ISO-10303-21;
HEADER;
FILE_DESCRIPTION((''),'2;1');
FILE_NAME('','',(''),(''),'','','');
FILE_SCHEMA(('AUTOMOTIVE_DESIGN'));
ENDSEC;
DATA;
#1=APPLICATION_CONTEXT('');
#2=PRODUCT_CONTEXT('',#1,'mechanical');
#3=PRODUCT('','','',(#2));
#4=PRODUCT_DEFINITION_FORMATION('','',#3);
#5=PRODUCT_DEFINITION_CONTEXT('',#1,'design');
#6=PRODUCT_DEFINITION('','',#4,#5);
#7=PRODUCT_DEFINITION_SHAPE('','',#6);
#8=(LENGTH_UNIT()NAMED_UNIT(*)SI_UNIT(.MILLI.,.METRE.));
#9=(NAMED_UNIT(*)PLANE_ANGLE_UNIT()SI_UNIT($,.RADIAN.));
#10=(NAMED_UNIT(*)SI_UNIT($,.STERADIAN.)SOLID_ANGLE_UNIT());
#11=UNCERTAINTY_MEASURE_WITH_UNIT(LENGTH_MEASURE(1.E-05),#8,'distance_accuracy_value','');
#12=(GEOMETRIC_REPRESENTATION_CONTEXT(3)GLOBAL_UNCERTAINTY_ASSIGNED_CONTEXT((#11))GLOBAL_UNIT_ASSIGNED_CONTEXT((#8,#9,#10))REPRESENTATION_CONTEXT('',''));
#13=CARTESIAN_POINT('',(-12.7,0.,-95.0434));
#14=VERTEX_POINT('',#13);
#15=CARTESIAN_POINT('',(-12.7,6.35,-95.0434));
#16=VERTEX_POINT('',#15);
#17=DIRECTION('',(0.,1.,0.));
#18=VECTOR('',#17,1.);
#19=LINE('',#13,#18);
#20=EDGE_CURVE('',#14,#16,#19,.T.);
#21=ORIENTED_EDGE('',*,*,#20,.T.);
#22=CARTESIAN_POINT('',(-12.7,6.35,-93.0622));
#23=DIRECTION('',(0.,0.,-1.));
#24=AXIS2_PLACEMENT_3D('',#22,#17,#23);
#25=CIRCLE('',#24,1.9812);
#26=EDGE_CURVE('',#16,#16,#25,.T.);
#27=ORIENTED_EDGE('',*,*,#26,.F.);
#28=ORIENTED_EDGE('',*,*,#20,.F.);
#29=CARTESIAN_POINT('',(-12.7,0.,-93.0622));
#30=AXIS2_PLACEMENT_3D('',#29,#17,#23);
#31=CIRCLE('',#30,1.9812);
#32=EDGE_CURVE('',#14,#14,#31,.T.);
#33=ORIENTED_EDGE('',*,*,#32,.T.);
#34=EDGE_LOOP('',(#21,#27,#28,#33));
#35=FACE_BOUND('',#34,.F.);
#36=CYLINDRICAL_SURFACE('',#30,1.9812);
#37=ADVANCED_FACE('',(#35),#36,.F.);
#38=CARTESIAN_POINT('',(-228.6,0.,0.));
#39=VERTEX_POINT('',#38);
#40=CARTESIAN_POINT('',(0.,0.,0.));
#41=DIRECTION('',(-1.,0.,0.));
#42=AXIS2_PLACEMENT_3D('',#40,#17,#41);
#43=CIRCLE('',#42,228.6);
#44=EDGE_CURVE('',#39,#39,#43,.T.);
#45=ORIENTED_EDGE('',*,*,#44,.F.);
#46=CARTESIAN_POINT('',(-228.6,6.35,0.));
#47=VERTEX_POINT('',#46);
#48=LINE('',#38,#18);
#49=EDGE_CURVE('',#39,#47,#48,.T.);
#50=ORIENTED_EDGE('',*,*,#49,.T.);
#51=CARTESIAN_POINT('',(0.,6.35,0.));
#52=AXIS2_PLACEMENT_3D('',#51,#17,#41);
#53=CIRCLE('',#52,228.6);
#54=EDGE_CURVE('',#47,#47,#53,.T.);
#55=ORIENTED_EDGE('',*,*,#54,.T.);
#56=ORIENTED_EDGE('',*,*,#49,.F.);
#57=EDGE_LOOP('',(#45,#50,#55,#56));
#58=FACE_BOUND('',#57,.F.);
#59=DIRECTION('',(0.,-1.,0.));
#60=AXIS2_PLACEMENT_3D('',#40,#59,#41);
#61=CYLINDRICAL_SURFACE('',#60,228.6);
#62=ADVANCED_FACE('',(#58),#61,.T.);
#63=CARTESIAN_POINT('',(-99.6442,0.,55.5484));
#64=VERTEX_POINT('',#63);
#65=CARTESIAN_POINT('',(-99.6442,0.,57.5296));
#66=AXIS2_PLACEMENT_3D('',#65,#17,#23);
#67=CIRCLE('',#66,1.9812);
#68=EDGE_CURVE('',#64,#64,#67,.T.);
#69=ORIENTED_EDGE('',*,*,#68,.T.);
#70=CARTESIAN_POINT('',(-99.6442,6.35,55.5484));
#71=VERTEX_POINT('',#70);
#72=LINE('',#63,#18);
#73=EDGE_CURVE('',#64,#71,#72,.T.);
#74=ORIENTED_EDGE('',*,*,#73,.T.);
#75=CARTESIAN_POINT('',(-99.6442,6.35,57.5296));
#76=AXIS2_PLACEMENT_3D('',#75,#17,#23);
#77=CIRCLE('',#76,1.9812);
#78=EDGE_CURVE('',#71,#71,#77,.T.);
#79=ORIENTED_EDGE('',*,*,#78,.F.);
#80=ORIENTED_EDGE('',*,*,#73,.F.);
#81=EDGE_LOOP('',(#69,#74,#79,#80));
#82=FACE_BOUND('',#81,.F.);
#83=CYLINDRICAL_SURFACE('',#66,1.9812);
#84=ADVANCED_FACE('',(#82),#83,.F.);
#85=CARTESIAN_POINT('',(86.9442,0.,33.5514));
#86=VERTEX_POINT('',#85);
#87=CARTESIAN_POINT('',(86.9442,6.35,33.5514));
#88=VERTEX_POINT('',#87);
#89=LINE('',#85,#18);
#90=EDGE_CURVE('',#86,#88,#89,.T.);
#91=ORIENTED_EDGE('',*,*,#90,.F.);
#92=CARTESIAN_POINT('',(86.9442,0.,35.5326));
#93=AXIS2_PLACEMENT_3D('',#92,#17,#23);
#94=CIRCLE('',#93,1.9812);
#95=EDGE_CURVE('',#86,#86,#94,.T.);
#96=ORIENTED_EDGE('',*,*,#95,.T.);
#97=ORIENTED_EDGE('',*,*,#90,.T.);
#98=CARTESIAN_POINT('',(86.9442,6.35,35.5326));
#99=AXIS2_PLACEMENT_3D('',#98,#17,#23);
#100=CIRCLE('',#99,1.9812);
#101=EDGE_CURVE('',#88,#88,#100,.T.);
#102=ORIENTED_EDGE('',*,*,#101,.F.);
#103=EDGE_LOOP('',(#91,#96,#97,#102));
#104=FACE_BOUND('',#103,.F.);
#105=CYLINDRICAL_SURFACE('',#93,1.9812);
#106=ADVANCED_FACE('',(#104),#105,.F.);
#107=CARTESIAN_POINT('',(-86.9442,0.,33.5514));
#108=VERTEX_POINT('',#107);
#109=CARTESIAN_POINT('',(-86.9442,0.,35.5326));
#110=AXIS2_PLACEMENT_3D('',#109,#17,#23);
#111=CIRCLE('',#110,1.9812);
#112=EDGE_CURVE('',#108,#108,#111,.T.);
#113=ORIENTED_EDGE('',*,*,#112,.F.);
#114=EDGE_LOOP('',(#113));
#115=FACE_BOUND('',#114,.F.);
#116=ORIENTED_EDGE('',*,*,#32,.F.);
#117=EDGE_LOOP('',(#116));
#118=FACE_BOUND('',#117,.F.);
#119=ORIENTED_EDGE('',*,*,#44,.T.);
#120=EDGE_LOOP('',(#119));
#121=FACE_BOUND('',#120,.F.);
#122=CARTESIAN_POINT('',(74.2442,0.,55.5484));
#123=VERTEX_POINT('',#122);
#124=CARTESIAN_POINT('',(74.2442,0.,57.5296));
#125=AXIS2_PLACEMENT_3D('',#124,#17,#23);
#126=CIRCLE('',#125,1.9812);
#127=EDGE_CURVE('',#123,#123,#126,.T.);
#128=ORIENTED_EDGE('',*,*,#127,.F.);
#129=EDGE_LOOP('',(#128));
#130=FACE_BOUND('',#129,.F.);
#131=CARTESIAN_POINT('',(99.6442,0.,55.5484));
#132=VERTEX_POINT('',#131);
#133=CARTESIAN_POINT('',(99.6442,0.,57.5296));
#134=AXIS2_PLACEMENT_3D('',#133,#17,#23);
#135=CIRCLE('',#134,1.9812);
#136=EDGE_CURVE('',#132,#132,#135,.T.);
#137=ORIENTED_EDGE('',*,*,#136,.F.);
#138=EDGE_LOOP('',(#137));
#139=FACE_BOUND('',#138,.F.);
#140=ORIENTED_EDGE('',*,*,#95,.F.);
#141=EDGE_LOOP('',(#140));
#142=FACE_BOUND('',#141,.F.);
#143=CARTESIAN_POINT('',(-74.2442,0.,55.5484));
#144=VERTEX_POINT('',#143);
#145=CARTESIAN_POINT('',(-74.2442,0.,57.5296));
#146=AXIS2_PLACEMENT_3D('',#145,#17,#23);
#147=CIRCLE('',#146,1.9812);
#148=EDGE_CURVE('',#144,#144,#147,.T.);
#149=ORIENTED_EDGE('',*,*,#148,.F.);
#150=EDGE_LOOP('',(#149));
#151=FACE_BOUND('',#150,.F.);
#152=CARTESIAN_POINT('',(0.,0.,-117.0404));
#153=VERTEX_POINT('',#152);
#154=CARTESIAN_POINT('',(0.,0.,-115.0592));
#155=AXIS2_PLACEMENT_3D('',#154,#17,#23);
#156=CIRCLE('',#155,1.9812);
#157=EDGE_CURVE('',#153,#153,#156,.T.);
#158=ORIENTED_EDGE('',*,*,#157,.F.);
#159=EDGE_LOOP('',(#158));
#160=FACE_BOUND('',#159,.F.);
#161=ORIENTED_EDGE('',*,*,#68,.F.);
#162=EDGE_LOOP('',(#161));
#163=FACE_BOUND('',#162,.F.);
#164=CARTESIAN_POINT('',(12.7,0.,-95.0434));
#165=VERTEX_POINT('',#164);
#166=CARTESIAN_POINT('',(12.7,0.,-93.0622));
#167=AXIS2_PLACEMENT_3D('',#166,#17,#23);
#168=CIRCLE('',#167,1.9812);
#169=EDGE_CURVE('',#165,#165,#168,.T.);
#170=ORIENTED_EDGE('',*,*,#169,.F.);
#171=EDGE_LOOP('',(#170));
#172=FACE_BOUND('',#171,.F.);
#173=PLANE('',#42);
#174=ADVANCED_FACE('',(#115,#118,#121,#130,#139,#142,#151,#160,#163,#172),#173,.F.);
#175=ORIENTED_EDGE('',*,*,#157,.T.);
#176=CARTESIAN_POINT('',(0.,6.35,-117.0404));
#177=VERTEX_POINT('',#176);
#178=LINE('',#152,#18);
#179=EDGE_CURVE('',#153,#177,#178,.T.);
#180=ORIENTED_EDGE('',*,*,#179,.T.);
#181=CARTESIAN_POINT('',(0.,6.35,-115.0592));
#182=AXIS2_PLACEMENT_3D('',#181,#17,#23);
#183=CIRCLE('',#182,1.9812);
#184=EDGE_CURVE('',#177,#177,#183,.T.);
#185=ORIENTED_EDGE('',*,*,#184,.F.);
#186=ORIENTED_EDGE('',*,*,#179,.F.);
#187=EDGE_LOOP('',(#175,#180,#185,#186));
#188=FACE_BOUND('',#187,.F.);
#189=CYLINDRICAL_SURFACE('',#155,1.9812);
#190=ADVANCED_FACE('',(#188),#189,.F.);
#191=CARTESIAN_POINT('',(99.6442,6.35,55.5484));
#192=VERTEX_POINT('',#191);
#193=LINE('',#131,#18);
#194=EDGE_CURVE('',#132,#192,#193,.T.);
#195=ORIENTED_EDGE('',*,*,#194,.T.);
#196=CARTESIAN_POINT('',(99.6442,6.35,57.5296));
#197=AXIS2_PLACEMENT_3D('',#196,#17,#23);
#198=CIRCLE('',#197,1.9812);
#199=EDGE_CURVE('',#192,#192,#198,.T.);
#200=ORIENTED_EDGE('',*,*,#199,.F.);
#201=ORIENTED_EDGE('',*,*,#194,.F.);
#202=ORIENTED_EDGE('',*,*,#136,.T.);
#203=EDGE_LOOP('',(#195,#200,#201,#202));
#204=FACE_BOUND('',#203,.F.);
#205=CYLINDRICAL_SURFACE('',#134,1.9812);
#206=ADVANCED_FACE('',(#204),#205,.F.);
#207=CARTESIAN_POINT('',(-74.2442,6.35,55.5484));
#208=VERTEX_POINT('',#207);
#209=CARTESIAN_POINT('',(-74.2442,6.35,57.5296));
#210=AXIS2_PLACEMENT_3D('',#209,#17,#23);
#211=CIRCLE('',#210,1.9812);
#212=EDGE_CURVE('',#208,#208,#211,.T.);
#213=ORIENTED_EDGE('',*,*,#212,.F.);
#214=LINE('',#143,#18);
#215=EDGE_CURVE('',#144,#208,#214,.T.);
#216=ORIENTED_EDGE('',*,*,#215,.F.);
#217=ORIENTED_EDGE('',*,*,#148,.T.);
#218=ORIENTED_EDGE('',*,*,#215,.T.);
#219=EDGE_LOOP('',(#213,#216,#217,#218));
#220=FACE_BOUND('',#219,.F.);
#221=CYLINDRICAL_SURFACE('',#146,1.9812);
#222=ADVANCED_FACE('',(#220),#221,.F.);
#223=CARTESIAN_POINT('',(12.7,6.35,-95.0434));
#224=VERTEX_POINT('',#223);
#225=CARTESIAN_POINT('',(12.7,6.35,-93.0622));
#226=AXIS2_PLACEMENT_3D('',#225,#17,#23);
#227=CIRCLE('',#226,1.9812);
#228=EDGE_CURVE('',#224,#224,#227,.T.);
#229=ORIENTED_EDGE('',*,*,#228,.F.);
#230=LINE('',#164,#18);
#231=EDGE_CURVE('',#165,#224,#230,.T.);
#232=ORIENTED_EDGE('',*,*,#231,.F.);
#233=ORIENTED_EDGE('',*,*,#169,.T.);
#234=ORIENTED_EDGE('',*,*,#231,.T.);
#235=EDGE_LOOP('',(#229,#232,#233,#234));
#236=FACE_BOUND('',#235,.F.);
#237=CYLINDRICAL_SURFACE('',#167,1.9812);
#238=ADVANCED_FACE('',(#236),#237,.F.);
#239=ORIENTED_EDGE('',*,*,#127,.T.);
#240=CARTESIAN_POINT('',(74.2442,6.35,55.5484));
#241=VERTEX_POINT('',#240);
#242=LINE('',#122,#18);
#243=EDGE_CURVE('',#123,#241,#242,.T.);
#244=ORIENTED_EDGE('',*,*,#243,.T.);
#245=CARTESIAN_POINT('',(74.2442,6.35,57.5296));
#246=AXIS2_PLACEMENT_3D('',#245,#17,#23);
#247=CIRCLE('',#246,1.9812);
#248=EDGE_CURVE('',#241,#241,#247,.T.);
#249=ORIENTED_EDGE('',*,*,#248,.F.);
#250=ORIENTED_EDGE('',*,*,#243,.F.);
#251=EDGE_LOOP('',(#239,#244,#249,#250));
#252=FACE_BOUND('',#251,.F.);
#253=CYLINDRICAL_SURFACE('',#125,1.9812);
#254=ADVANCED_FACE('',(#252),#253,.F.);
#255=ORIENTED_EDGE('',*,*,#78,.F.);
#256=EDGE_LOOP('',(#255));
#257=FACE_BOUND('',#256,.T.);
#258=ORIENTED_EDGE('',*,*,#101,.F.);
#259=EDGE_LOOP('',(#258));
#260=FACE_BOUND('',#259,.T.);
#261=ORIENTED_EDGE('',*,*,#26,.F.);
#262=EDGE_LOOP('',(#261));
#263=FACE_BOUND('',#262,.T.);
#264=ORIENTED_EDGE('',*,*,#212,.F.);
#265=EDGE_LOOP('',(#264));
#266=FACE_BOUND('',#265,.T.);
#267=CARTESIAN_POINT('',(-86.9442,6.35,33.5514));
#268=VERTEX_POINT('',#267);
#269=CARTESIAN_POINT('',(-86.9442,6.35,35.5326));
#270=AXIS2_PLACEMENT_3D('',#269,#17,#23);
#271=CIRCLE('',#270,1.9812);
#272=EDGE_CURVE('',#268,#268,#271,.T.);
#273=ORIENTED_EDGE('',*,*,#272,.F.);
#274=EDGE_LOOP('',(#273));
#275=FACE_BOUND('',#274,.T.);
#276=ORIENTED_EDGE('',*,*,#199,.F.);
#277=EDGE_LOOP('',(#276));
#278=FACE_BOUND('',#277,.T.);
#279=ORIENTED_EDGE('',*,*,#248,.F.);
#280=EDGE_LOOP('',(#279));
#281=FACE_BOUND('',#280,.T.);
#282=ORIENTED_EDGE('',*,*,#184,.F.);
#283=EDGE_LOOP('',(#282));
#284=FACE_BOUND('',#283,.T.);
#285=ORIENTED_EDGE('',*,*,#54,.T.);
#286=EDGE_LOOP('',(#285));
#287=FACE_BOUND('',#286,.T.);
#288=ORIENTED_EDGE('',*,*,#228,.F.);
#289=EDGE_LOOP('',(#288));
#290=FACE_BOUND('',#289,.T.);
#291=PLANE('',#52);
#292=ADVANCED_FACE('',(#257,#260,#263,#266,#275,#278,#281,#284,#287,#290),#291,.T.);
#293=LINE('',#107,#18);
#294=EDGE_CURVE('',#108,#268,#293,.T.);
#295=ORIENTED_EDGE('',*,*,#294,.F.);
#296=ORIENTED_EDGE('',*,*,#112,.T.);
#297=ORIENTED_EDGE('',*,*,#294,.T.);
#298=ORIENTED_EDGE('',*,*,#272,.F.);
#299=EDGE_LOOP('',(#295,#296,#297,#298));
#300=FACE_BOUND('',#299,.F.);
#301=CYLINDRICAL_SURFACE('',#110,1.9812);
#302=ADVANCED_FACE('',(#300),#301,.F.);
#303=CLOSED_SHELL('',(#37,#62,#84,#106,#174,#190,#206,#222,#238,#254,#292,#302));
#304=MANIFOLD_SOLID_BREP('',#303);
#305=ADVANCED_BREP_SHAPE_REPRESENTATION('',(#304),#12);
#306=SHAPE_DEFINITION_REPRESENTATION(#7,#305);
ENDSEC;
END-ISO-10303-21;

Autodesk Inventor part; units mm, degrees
ref_plane "YZ Plane" through (0, 0, 0) normal (1, 0, 0) x (0, 1, 0)
ref_plane "XZ Plane" through (0, 0, 0) normal (0, 1, 0) x (-1, 0, 0)
ref_plane "XY Plane" through (0, 0, 0) normal (0, 0, 1) x (1, 0, 0)
sketch "Sketch1" plane through (0, 0, 0) normal (0, 1, 0) x (-1, 0, 0)
  circle A0 centre (0, 0) radius 228.6
  line L0 (228.6, 0) -> (-228.6, 0) construction
  line L1 (0, -115.0592) -> (-99.6442, 57.5296) construction
  line L2 (-99.6442, 57.5296) -> (99.6442, 57.5296) construction
  line L3 (99.6442, 57.5296) -> (0, -115.0592) construction
  line L4 (99.6442, 57.5296) -> (74.2442, 57.5296) construction
  line L5 (99.6442, 57.5296) -> (86.9442, 35.5326) construction
  line L6 (-99.6442, 57.5296) -> (-74.2442, 57.5296) construction
  line L7 (-99.6442, 57.5296) -> (-86.9442, 35.5326) construction
  line L8 (0, -115.0592) -> (12.7, -93.0622) construction
  line L9 (0, -115.0592) -> (-12.7, -93.0622) construction
  dimension "d26" = 457.2
  dimension "d27" = 199.2884
  dimension "d28" = 25.4
  dimension "d29" = 25.4
  dimension "d30" = 25.4
  dimension "d31" = 25.4
  dimension "d32" = 25.4
  dimension "d33" = 25.4
extrude "Extrusion1" add sketch "Sketch1" along normal blind 6.35
hole "Hole1" at (-99.6442, 0, 57.5296) at (-74.2442, 0, 57.5296) at (-86.9442, 0, 35.5326) at (-12.7, 0, -93.0622) at (0, 0, -115.0592) at (12.7, 0, -93.0622) at (99.6442, 0, 57.5296) at (74.2442, 0, 57.5296) at (86.9442, 0, 35.5326) direction (0, 1, 0) diameter 3.9624 end through all thread size "10-32 UNF" class "2B" standard "ANSI Unified Screw Threads"
properties part number "Table"
